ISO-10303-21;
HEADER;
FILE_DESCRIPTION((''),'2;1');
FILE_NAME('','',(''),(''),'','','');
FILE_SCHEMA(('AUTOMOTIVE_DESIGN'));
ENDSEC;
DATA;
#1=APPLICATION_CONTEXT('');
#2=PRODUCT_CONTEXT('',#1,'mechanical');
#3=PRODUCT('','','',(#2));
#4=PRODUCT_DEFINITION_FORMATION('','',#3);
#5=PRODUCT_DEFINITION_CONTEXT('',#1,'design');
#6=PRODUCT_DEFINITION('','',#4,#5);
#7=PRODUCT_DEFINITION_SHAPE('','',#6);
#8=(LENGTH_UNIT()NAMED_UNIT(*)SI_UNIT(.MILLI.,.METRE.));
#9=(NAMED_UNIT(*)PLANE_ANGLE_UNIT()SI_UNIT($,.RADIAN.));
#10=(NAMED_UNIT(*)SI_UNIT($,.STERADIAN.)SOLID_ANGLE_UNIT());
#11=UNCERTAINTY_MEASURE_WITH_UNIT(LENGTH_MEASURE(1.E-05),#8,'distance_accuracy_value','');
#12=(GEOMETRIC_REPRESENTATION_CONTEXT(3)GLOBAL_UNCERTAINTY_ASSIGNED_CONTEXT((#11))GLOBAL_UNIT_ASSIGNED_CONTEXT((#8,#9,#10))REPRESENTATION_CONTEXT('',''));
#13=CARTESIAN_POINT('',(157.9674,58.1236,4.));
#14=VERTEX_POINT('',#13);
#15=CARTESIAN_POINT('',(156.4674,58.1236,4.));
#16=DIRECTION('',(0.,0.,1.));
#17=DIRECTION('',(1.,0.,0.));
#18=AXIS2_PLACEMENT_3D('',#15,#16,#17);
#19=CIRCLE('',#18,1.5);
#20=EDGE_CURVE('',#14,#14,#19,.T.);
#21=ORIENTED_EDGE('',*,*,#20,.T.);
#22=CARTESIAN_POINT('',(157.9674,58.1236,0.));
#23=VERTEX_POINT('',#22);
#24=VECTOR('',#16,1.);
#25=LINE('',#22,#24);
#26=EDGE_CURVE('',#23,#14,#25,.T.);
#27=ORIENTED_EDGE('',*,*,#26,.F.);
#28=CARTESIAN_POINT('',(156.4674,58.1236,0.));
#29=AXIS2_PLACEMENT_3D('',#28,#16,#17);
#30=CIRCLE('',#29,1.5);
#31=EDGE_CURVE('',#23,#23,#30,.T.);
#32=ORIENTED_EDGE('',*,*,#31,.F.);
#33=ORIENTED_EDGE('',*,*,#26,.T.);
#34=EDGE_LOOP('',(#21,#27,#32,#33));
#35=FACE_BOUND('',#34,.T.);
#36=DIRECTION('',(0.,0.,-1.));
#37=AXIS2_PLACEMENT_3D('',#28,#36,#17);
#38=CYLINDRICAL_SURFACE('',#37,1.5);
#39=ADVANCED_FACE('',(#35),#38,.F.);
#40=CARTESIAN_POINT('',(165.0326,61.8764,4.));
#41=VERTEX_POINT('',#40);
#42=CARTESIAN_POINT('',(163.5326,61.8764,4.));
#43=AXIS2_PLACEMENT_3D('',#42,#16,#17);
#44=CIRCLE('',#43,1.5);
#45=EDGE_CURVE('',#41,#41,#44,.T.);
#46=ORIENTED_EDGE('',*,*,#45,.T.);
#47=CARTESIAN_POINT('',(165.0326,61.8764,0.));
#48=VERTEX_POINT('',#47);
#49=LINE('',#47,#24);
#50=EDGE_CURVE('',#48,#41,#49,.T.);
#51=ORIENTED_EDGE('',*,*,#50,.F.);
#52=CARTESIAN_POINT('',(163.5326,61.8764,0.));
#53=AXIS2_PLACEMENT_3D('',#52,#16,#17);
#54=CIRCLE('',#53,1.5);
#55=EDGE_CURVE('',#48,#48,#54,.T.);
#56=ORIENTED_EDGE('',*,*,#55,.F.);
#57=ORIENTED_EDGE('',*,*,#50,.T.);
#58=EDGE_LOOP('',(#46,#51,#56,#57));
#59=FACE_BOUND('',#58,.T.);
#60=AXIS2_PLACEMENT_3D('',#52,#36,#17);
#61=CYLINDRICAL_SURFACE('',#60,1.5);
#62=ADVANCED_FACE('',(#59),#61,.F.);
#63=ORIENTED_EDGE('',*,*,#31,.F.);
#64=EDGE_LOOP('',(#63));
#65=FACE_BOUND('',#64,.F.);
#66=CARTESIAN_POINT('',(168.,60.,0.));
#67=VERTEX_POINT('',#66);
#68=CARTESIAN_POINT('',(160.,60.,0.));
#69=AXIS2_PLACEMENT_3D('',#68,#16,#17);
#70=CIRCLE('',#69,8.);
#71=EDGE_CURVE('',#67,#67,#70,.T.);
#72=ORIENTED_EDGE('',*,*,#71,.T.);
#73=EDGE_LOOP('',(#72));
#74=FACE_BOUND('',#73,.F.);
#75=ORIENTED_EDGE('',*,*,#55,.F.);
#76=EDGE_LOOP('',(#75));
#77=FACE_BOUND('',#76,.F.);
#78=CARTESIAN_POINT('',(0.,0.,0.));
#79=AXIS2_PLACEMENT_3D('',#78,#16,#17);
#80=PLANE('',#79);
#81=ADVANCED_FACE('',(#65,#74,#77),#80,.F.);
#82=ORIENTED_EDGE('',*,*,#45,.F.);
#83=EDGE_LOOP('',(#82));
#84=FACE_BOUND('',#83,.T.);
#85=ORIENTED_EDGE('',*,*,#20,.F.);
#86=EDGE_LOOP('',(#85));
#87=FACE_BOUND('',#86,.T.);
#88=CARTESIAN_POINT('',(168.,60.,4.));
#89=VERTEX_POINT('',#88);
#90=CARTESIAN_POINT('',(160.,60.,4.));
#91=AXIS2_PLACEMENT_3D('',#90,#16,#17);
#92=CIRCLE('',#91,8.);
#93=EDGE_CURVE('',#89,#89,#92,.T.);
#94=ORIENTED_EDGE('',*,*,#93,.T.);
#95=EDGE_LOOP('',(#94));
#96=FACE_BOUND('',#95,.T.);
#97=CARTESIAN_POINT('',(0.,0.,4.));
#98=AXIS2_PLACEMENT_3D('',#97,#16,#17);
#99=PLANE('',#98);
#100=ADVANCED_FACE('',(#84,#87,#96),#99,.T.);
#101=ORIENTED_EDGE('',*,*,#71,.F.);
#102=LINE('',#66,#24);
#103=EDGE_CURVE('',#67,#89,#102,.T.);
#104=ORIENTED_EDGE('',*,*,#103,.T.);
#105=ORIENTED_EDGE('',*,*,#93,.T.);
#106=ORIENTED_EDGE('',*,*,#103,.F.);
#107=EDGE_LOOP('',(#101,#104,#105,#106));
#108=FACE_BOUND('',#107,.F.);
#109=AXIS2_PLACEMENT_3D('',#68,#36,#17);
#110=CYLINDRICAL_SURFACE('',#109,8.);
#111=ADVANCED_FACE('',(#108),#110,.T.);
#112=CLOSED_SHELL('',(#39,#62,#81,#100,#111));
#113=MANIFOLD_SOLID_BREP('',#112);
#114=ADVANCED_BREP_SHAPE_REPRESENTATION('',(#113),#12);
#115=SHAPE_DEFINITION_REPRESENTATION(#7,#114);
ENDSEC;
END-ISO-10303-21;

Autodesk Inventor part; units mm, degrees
ref_plane "YZ Plane" through (0, 0, 0) normal (1, 0, 0) x (0, 1, 0)
ref_plane "XZ Plane" through (0, 0, 0) normal (0, 1, 0) x (-1, 0, 0)
ref_plane "XY Plane" through (0, 0, 0) normal (0, 0, 1) x (1, 0, 0)
sketch "スケッチ1" plane through (0, 0, 0) normal (0, 0, 1) x (1, 0, 0)
  circle A0 centre (156.4674, 58.1236) radius 3
  line L0 (156.4674, 58.1236) -> (163.5326, 61.8764) construction
  circle A1 centre (156.4674, 58.1236) radius 4 construction
  circle A2 centre (160, 60) radius 4 construction
  circle A3 centre (163.5326, 61.8764) radius 3
  circle A4 centre (160, 60) radius 8
  circle A5 centre (163.5326, 61.8764) radius 4 construction
  line L1 (161.8764, 56.4674) -> (158.1236, 63.5326) construction
  circle A6 centre (156.4674, 58.1236) radius 1.5
  circle A7 centre (163.5326, 61.8764) radius 1.5
  point P0 (0, 0)
  point P1 (160, 60)
  point P2 (160, 60)
  point P3 (160, 60)
  dimension "d0" = 16
  dimension "d1" = 8
  dimension "d2" = 6
  dimension "d3" = 6
  dimension "d4" = 3
  dimension "d5" = 3
extrude "押し出し1" add sketch "スケッチ1" along normal blind 4 contours A0 | A3 | A4
properties part number "原動節-従動節つなぎ" material "アルミニウム 2014-T4"
